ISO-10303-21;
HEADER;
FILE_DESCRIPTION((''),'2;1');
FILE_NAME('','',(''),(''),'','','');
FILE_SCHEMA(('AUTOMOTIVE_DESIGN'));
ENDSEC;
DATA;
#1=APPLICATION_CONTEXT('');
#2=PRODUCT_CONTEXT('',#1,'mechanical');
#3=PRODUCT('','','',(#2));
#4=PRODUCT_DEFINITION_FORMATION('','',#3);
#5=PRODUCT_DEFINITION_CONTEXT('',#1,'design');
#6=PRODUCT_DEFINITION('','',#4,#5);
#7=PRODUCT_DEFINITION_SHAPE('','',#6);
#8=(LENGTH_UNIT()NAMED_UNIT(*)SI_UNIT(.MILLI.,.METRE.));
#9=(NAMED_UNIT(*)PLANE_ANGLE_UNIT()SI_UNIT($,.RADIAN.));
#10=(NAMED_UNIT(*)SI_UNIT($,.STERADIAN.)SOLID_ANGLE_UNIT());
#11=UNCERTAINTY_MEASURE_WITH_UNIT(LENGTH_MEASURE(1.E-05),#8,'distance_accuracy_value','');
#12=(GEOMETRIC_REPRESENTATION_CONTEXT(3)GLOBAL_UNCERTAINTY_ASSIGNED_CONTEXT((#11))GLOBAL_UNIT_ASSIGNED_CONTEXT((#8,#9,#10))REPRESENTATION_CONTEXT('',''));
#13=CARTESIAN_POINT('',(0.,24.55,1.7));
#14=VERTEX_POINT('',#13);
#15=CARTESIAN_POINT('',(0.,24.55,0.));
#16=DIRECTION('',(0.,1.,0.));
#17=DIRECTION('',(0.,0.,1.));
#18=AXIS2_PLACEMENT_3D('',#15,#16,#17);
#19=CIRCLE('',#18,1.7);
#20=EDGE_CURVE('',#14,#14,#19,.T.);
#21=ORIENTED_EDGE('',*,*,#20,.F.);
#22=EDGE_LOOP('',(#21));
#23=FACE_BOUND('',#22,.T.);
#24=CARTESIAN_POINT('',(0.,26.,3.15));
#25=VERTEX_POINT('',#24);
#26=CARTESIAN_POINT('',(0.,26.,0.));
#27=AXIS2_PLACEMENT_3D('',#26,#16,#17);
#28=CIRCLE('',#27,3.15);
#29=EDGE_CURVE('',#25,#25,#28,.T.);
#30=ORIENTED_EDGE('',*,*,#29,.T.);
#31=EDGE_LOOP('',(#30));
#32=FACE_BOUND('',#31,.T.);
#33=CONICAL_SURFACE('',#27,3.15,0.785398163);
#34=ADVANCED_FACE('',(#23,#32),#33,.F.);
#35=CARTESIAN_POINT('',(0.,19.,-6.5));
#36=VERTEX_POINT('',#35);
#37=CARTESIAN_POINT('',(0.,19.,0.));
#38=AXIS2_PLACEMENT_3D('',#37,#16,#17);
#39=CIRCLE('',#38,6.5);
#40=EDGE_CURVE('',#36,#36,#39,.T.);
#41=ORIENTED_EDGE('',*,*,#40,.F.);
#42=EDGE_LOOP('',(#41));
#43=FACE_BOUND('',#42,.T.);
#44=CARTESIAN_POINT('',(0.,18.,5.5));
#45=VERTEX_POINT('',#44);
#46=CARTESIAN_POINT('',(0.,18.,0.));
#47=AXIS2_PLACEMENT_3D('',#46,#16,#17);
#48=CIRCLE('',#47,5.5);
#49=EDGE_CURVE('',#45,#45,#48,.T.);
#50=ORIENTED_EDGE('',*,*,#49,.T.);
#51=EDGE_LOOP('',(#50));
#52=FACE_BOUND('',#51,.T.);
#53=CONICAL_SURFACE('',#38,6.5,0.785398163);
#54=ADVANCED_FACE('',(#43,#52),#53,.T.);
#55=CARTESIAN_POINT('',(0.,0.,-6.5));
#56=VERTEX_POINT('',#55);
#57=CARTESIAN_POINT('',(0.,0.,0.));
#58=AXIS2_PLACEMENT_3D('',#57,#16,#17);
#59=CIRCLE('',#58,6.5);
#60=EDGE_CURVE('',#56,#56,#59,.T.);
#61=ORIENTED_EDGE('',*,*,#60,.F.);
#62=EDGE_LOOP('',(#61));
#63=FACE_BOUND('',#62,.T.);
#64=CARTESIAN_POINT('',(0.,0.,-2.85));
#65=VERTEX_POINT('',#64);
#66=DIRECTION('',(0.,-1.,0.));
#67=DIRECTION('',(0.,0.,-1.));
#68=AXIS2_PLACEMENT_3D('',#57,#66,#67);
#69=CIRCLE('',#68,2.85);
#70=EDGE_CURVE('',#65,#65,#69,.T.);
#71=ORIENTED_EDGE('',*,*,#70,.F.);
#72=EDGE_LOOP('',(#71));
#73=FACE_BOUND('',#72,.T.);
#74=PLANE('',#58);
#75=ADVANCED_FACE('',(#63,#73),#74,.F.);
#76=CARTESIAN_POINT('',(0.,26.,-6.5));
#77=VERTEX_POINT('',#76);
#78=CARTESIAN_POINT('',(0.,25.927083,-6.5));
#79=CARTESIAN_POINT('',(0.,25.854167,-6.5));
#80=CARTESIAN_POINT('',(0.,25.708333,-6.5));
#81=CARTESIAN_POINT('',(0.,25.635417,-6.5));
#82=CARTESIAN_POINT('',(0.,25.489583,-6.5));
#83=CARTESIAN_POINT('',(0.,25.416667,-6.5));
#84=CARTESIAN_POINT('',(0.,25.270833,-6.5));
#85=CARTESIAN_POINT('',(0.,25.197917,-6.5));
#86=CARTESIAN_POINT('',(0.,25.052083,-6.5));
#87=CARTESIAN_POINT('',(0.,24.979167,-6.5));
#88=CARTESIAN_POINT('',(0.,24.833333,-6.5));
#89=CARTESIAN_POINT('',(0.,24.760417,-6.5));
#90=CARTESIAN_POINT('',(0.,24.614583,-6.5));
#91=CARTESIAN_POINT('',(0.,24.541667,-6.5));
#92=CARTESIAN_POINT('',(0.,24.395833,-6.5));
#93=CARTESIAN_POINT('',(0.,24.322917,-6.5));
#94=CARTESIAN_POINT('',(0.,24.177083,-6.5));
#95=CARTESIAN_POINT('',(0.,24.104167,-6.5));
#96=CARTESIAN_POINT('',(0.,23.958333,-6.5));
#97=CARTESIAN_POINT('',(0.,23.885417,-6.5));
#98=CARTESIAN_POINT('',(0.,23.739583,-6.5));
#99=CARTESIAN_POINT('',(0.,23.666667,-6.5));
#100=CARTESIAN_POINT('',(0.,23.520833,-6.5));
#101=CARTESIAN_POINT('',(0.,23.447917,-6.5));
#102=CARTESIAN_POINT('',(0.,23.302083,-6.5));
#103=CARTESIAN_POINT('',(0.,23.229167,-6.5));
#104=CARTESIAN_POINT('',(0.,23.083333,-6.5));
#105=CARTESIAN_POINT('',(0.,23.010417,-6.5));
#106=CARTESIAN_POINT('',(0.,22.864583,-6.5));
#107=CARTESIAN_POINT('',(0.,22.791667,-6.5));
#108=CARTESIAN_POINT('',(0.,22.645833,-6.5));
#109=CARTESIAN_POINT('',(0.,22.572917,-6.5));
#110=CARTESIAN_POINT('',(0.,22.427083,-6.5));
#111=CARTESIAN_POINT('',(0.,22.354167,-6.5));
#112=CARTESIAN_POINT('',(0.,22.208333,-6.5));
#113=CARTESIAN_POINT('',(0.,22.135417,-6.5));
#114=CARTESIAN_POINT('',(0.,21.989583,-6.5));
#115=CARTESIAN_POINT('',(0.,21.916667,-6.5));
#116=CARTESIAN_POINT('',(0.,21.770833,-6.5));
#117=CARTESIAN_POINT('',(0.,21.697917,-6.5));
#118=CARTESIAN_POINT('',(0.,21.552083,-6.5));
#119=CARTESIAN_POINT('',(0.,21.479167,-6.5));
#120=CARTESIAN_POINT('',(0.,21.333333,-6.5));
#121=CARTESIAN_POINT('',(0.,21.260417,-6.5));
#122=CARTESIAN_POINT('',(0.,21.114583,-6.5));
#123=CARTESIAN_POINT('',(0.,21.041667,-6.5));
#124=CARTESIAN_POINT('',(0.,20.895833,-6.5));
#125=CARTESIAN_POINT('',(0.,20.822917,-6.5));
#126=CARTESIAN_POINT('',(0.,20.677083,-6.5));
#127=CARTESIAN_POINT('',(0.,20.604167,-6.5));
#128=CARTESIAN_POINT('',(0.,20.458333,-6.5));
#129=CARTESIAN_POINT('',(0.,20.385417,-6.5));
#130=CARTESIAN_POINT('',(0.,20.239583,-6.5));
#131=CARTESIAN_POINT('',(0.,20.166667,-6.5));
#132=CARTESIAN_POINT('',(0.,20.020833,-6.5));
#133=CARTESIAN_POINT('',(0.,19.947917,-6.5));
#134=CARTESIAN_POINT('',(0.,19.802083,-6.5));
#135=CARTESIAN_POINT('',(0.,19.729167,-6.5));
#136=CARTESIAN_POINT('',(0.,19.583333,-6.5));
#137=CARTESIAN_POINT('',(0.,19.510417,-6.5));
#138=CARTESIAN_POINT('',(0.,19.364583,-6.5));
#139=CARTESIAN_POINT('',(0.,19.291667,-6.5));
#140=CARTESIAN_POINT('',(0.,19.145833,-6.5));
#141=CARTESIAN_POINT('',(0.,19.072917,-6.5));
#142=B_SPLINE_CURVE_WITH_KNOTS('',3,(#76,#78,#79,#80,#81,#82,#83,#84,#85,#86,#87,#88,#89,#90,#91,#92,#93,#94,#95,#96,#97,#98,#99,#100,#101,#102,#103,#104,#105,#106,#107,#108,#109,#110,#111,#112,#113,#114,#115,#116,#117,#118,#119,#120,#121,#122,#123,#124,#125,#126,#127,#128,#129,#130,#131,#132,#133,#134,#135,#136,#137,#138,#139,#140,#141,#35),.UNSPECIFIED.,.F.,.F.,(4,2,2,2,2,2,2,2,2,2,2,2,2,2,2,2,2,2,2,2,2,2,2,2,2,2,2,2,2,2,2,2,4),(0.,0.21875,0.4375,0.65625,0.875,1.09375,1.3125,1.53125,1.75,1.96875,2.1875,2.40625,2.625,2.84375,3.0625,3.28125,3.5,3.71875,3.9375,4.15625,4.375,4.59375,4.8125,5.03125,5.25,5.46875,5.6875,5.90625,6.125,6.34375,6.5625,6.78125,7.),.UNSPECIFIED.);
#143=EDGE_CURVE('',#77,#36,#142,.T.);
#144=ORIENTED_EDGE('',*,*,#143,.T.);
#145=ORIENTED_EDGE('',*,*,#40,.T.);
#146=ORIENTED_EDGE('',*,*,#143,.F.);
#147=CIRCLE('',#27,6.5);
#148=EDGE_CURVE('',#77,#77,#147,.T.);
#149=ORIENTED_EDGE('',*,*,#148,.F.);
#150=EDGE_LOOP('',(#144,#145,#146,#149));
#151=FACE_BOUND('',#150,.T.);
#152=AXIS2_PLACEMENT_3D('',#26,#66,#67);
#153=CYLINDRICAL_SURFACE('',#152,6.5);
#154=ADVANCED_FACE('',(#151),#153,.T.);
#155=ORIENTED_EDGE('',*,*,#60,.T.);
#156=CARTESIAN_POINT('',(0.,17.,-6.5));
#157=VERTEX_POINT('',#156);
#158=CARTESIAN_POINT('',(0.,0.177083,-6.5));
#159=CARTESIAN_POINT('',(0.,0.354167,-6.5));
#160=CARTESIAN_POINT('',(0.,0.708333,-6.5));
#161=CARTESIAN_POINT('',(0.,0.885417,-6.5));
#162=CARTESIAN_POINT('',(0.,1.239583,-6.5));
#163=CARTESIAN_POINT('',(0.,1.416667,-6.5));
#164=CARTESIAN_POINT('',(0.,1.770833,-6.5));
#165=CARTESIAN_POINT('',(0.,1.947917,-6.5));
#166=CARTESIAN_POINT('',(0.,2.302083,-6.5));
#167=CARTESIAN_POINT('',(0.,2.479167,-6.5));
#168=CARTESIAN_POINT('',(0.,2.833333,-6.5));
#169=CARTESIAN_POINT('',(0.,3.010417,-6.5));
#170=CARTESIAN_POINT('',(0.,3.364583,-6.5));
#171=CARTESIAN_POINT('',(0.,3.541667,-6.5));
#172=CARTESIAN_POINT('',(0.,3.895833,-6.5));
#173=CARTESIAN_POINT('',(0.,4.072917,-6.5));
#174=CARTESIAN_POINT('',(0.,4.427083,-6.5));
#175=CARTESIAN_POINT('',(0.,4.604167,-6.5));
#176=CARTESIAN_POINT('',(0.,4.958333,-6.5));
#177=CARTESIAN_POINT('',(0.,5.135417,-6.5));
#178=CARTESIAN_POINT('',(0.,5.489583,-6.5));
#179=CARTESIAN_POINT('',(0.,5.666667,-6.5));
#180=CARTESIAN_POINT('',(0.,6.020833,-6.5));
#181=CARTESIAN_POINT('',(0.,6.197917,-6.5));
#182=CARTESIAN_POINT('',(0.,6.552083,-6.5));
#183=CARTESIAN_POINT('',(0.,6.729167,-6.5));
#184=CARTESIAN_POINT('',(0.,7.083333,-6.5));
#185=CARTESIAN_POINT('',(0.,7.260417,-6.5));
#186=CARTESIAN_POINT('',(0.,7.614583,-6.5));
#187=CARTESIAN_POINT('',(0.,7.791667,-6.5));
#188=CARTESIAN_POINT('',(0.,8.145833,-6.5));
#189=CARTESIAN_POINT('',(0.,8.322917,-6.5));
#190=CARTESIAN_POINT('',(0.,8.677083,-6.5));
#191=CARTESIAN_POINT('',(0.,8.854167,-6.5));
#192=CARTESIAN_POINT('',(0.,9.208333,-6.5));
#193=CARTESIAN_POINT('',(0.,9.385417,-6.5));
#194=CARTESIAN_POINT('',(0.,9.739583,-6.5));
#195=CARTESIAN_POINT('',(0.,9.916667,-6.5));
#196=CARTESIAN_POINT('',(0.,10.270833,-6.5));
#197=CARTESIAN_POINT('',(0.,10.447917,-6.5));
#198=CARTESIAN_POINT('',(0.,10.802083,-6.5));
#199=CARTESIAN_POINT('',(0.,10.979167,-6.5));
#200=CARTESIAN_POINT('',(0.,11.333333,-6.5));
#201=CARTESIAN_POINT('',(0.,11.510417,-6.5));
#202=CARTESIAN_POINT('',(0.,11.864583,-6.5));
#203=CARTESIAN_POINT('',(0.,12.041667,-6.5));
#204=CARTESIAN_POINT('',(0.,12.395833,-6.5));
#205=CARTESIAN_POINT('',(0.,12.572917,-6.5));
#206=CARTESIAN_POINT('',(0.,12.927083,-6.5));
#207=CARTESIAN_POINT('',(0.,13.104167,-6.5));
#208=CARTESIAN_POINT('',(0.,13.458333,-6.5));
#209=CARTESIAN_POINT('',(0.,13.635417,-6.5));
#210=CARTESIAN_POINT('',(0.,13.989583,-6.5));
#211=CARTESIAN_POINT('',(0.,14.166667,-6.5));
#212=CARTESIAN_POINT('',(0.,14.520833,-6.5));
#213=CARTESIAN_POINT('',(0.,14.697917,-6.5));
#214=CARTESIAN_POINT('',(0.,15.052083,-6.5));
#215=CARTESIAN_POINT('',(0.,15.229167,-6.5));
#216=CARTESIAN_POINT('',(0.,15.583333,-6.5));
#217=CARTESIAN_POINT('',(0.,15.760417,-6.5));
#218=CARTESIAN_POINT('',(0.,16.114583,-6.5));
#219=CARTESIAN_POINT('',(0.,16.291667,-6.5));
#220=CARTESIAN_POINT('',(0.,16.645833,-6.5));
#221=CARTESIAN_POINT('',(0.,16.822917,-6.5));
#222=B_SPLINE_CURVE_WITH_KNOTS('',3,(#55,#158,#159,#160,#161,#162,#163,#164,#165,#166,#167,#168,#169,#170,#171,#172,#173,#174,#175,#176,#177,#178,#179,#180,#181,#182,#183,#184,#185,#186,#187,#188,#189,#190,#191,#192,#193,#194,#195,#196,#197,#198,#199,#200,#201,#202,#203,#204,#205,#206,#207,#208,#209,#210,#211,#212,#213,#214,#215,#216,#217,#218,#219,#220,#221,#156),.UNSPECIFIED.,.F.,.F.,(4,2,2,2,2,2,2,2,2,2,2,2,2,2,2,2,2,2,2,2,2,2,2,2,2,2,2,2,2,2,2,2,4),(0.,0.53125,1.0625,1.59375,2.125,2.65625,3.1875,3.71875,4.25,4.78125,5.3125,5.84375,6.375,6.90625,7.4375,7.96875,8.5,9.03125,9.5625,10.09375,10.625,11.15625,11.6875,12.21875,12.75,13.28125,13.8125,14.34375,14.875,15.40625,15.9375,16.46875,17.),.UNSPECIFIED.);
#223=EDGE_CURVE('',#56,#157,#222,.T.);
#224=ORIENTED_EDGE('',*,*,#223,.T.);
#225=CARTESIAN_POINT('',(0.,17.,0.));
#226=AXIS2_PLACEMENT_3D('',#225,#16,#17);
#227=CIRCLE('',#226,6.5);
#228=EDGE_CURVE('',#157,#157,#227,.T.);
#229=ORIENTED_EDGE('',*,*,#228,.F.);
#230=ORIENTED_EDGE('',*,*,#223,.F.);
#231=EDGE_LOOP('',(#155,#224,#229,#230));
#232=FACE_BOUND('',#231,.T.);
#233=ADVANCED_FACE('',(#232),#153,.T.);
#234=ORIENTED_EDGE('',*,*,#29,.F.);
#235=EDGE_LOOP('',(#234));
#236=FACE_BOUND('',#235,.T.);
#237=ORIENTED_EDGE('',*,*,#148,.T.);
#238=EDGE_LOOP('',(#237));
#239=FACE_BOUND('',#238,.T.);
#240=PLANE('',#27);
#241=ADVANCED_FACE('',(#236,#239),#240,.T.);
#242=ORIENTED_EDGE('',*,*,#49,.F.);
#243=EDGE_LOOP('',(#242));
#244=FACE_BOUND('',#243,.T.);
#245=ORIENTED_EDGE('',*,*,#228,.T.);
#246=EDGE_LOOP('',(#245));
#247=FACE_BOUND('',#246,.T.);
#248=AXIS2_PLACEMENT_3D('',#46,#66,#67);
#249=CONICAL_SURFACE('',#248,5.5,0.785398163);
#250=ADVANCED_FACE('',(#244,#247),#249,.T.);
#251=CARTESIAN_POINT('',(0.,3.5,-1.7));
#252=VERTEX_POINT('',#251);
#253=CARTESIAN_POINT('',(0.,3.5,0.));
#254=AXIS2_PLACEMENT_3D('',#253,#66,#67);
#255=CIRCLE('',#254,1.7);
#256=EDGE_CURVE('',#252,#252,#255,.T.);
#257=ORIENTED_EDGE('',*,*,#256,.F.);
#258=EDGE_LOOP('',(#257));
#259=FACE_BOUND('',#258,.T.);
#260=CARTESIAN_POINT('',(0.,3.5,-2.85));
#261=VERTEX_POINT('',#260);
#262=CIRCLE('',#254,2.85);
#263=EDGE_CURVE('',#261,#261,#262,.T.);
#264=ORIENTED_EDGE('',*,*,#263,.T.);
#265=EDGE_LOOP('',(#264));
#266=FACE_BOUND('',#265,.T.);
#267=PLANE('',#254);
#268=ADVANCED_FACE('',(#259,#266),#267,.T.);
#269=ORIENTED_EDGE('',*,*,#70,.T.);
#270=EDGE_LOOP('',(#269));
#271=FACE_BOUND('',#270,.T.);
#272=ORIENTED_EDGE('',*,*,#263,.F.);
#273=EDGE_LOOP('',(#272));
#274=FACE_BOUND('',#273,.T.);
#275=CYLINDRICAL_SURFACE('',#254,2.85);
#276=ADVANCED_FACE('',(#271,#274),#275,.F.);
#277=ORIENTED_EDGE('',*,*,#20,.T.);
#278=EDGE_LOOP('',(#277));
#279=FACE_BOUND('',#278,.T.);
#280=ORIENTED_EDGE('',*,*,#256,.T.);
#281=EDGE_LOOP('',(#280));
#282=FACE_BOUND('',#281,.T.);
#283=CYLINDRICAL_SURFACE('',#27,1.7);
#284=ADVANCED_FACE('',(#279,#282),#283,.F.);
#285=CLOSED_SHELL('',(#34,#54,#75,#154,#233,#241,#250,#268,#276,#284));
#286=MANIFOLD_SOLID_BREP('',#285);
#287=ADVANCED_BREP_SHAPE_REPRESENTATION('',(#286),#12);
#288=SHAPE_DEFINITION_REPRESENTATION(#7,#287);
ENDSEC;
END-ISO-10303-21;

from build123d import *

# Parameters (mm, degrees)
SKETCH_1_R                  = 6.5
EXTRUDE_1_DEPTH             = 26
SKETCH_2_R                  = 2.85
CUT_EXTRUDE_1_DEPTH         = 3.5
HOLE_WIZARD_M32_D           = 3.4
HOLE_WIZARD_M32_CSINK_D     = 6.3
HOLE_WIZARD_M32_CSINK_ANGLE = 90


with BuildPart() as part:
    # Эскиз1 → Бобышка-Вытянуть1 (new body)
    with BuildSketch(Plane(origin=(0, 0, 0), x_dir=(1, 0, 0), z_dir=(0, 1, 0))):
        with Locations(Location((0, 0, 0), (0, 0, 90))):
            Circle(SKETCH_1_R)
    extrude(amount=EXTRUDE_1_DEPTH)

    # Эскиз2 → Вырез-Вытянуть1 (cut)
    with BuildSketch(Plane.XZ):
        with Locations(Location((0, 0, 0), (0, 0, 270))):
            Circle(SKETCH_2_R)
    extrude(amount=-CUT_EXTRUDE_1_DEPTH, mode=Mode.SUBTRACT)

    # Зенковка для  винта с плоской головкой M32 (through all)
    with Locations(Plane(origin=(0, 26, 0), x_dir=(1, 0, 0), z_dir=(0, 1, 0))):
        with Locations((0, 0)):
            CounterSinkHole(HOLE_WIZARD_M32_D / 2, HOLE_WIZARD_M32_CSINK_D / 2, counter_sink_angle=HOLE_WIZARD_M32_CSINK_ANGLE)

    # Вырез-По траектории2: sweep along a path in Эскиз5
    with BuildLine(Plane(origin=(0, 18, 0), x_dir=(-1, 0, 0), z_dir=(0, -1, 0))) as sweep_2_path:
        CenterArc((0, 0), 6.5, 0, 360)
    # Эскиз6 → Вырез-По траектории2 (sweep, cut)
    with BuildSketch(Plane(origin=(0, 0, 0), x_dir=(0, 0, -1), z_dir=(1, 0, 0))):
        Polygon((6.5, 19), (5.5, 18), (6.5, 17), align=None)
    sweep(path=sweep_2_path.line, mode=Mode.SUBTRACT)


solid = part.part
